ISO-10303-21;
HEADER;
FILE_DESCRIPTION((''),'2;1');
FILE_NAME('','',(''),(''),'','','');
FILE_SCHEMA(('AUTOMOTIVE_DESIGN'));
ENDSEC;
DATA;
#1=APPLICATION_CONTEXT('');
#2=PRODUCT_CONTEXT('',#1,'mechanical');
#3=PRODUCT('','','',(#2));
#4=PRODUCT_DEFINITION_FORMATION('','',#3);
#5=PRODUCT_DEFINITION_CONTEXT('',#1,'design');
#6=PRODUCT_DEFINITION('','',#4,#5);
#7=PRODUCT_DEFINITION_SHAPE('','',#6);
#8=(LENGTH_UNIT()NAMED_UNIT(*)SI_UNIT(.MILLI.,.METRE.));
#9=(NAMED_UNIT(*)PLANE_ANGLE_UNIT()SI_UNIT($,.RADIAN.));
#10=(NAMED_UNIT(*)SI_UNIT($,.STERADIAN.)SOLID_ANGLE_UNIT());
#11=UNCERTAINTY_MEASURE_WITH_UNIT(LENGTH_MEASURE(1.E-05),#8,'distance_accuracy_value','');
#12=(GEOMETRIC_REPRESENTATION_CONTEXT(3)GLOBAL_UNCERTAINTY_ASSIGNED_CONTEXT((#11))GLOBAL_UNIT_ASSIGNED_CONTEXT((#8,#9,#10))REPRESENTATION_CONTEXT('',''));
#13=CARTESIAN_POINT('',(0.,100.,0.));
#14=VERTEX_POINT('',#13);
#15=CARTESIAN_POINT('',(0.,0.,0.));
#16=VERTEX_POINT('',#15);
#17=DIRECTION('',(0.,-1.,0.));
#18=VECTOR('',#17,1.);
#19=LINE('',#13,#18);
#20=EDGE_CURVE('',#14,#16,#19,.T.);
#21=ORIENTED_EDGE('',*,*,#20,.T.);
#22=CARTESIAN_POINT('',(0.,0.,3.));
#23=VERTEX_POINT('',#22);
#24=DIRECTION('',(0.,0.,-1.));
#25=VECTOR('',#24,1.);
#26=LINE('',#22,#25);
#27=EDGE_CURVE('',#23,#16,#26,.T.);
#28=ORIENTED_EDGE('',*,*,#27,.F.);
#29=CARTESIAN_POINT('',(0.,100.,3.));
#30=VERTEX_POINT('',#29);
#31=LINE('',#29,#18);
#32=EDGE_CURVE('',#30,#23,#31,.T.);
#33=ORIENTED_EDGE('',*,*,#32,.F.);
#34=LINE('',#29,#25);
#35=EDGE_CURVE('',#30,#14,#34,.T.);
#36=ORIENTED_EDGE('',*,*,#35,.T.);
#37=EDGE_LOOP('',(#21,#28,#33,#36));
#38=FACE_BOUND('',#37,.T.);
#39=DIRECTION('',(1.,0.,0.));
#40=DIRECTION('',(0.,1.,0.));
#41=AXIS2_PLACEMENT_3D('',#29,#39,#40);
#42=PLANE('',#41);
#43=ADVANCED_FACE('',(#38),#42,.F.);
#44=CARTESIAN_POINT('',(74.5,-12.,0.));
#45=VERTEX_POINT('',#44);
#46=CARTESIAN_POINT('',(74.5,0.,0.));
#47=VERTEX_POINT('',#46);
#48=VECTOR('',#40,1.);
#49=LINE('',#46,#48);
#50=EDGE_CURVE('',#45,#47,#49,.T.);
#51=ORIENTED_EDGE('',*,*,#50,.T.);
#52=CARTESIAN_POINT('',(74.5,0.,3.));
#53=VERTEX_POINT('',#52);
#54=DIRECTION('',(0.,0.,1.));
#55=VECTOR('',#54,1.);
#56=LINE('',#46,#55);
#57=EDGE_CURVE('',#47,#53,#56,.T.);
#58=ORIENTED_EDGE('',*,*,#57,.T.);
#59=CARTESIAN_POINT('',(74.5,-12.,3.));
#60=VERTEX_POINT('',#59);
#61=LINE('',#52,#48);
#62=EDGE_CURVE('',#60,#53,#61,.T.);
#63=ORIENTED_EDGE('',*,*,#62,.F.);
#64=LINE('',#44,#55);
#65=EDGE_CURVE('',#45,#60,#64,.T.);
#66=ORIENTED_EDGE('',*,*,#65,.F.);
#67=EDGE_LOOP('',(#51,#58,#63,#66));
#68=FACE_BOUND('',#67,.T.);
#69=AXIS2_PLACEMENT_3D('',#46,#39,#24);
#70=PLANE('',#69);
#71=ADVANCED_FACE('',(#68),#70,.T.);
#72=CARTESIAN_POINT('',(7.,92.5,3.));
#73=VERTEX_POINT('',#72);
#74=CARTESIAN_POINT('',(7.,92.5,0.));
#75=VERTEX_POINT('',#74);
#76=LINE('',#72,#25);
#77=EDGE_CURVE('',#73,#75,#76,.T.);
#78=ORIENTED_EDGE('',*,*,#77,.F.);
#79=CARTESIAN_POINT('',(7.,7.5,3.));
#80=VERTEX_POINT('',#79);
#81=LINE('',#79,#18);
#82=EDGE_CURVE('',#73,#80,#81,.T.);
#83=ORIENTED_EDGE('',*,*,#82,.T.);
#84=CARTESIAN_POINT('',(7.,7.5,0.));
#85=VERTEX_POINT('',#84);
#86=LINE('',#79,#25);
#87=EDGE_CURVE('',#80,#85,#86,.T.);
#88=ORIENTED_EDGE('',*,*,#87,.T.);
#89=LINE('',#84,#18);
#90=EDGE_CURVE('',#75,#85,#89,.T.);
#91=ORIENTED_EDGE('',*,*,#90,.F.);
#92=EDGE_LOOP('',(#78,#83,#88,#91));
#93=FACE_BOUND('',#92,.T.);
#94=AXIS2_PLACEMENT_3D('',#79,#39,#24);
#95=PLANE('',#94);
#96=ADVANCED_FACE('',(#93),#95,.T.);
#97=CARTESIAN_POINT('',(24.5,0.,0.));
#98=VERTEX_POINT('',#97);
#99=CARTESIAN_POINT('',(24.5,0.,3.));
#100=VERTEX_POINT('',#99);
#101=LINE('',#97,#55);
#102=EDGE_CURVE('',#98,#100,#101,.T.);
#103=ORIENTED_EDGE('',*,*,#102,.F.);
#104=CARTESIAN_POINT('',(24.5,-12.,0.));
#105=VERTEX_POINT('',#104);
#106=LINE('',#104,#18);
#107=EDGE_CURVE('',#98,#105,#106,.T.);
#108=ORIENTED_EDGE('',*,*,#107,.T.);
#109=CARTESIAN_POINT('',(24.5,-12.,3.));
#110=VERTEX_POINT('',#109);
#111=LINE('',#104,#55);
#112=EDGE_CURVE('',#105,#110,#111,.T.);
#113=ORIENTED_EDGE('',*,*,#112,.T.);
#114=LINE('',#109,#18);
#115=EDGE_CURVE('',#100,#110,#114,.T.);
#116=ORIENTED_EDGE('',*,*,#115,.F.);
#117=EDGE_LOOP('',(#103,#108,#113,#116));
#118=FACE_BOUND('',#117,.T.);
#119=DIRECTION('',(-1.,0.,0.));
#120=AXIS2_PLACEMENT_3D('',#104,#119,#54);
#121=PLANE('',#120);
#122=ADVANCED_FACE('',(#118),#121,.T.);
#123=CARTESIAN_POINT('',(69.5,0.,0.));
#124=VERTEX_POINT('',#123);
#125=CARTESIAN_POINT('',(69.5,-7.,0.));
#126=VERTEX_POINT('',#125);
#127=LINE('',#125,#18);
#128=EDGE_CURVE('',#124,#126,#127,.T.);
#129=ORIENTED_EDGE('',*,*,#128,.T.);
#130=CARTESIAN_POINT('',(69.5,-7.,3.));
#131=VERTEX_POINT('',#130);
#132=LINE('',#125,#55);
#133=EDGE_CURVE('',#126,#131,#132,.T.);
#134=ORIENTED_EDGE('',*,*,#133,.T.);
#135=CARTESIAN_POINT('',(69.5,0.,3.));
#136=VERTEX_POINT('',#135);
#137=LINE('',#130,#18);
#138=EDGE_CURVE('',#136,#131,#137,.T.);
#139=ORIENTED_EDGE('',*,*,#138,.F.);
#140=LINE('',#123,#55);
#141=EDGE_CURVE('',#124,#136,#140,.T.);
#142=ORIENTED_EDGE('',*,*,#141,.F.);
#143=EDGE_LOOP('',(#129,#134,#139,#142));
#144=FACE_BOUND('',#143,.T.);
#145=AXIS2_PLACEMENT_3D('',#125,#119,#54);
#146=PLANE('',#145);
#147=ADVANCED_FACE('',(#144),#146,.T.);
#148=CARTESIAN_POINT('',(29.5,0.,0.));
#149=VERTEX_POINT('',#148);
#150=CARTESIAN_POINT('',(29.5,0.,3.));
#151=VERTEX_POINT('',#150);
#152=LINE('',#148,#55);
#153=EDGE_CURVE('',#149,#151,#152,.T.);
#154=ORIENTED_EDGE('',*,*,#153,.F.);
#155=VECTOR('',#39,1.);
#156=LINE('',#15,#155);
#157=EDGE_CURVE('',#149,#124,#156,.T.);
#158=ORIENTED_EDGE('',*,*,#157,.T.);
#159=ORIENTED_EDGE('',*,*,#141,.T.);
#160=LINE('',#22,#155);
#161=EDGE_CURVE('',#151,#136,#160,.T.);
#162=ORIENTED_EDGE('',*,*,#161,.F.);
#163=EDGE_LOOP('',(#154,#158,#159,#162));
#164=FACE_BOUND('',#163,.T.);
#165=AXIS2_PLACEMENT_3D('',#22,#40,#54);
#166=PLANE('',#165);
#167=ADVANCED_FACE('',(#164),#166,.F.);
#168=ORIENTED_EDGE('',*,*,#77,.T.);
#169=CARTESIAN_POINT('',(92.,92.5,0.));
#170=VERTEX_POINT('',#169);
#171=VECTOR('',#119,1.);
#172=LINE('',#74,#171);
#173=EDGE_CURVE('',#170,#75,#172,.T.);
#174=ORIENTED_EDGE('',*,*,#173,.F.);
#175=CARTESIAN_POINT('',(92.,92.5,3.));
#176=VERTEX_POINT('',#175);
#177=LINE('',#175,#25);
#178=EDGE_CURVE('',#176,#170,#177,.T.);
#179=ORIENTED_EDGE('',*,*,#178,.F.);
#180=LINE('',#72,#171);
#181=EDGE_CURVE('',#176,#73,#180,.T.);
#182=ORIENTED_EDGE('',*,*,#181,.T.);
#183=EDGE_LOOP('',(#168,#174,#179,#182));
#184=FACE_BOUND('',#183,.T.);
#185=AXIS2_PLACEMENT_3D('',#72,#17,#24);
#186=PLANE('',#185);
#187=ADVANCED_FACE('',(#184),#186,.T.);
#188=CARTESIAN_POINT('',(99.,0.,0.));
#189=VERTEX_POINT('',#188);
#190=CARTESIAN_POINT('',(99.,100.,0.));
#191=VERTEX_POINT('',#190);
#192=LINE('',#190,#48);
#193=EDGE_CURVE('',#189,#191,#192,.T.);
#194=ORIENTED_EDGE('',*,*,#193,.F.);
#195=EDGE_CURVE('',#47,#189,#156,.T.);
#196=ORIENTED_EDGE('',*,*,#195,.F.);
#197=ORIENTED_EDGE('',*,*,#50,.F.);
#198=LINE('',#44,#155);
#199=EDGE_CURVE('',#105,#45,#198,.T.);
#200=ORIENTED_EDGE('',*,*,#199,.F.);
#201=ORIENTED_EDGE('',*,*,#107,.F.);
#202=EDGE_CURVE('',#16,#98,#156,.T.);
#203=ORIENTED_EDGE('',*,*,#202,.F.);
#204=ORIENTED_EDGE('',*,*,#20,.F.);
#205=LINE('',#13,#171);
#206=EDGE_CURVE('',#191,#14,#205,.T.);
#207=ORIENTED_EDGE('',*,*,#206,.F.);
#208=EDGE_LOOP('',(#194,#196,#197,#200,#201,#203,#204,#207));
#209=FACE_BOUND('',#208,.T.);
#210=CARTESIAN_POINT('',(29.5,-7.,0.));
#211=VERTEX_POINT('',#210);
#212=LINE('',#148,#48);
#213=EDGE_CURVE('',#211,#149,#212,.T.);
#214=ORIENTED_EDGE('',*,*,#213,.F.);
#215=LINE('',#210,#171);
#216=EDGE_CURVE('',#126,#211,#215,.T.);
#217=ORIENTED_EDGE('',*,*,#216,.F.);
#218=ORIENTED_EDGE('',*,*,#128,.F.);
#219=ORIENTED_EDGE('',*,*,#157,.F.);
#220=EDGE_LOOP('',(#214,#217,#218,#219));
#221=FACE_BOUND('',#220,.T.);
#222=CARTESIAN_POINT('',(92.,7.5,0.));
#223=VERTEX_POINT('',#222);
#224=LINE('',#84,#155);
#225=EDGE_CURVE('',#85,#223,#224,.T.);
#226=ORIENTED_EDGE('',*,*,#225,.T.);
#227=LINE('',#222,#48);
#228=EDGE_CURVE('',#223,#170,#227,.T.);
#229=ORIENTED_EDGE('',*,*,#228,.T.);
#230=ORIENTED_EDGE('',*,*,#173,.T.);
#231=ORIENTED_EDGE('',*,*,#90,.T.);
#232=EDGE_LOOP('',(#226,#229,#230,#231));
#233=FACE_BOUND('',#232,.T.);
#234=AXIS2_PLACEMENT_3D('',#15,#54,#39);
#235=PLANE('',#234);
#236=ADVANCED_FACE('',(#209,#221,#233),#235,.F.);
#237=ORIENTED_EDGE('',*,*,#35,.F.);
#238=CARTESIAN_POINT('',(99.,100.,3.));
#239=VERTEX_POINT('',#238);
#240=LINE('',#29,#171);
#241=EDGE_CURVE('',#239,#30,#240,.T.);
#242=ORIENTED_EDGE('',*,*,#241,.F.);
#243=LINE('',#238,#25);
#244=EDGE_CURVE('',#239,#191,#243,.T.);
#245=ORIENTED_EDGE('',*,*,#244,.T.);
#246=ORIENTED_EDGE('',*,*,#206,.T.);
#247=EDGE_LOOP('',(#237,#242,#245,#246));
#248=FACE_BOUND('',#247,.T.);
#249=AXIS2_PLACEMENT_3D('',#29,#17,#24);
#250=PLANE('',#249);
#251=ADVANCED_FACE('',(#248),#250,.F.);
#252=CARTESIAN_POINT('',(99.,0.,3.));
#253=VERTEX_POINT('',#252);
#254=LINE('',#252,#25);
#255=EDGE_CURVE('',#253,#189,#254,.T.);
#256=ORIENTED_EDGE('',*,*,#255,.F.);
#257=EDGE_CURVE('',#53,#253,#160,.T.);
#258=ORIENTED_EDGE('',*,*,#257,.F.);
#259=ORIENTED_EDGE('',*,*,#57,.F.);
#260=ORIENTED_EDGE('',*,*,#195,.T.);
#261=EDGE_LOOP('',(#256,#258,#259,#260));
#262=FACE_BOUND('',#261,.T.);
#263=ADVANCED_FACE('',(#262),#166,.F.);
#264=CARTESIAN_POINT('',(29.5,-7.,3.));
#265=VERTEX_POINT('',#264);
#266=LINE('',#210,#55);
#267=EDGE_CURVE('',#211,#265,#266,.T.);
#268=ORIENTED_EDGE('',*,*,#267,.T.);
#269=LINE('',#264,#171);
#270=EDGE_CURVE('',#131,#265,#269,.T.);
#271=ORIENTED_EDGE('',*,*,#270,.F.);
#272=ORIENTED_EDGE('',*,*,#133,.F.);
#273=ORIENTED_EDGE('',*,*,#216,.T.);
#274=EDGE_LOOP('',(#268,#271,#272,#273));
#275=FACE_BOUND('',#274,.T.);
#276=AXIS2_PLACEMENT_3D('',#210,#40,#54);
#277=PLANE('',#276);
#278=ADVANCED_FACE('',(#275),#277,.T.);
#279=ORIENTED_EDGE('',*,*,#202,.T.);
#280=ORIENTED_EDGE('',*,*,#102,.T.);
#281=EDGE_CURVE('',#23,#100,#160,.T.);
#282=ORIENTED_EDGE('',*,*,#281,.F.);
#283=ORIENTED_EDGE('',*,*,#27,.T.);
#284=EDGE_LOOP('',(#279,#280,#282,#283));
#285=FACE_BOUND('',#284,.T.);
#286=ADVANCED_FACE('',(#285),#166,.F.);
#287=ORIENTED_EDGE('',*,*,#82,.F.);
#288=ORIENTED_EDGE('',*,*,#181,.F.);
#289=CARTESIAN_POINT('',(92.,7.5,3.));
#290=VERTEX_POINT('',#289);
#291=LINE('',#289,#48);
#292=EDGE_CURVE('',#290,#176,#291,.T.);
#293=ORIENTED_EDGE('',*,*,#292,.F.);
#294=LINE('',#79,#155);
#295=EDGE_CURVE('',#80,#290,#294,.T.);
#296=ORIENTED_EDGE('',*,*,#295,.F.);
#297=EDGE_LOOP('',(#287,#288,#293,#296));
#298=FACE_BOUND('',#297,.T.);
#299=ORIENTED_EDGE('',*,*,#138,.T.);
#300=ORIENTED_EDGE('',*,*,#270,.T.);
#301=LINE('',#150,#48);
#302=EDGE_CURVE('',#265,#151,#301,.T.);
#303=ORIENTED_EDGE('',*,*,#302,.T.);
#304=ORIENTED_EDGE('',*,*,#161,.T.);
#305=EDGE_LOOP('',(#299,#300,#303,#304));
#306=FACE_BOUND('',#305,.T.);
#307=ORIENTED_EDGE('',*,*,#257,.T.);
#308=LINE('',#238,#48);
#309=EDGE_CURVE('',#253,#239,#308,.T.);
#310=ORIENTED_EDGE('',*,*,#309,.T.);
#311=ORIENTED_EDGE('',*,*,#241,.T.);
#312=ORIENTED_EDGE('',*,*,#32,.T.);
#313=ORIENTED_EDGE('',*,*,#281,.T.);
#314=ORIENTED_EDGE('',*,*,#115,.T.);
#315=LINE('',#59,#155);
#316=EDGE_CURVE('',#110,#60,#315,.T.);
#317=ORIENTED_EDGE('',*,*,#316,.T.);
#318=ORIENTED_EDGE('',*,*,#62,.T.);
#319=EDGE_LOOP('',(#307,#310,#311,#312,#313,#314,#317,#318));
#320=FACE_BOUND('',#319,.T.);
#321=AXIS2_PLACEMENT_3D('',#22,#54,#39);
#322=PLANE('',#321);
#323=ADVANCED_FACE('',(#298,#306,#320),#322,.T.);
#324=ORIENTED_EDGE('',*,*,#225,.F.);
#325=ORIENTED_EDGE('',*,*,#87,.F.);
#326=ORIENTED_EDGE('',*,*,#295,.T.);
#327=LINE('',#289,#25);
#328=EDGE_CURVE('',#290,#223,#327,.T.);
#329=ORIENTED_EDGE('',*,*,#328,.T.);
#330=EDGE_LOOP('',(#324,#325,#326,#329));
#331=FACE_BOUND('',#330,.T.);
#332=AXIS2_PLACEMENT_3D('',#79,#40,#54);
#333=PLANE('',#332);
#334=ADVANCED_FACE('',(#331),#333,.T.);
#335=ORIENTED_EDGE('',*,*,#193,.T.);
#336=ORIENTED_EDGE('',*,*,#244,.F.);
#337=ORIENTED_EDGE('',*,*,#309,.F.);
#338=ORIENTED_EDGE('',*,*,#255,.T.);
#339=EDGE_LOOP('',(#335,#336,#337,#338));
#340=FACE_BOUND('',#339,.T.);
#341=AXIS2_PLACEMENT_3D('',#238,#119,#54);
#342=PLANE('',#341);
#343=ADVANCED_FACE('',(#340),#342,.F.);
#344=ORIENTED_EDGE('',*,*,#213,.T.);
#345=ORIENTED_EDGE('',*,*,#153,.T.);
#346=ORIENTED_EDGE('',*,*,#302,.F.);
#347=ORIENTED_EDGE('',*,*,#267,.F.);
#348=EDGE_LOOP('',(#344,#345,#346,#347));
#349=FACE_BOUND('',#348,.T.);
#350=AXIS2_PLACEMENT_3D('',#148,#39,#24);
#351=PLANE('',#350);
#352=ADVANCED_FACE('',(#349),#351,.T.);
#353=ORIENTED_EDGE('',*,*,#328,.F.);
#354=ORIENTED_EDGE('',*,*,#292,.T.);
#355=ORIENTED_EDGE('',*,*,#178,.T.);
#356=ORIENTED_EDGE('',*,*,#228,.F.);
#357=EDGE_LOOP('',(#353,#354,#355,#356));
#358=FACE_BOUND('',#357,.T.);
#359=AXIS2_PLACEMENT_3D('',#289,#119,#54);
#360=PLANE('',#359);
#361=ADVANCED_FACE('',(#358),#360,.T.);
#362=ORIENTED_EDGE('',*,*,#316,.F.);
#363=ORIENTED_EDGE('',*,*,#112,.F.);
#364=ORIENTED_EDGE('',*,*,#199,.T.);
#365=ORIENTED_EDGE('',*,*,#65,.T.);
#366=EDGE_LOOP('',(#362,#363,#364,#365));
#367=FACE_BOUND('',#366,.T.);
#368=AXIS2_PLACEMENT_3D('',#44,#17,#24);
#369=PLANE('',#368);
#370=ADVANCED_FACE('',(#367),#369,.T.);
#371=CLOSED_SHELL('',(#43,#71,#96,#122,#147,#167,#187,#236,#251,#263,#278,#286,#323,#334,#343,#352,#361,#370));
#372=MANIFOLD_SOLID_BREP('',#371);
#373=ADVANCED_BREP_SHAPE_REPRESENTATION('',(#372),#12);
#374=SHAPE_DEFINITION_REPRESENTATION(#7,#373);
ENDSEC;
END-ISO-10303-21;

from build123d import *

# Parameters (mm, degrees)
CROQUIS1_W              = 99
CROQUIS1_H              = 100
CROQUIS1_W_2            = 85
CROQUIS1_H_2            = 85
SALIENTE_EXTRUIR1_DEPTH = 3
SALIENTE_EXTRUIR2_DEPTH = 3


with BuildPart() as part:
    # Croquis1 → Saliente-Extruir1 (new body)
    with BuildSketch(Plane.XY):
        with Locations((49.5, 50)):
            Rectangle(CROQUIS1_W, CROQUIS1_H)
        with Locations((49.5, 50)):
            Rectangle(CROQUIS1_W_2, CROQUIS1_H_2, mode=Mode.SUBTRACT)
    extrude(amount=SALIENTE_EXTRUIR1_DEPTH)

    # Croquis2 → Saliente-Extruir2 (add)
    with BuildSketch(Plane.XY.offset(3)):
        Polygon((24.5, 0), (29.5, 0), (29.5, -7), (69.5, -7), (69.5, 0), (74.5, 0), (74.5, -12), (24.5, -12), align=None)
    extrude(amount=-SALIENTE_EXTRUIR2_DEPTH)


solid = part.part
